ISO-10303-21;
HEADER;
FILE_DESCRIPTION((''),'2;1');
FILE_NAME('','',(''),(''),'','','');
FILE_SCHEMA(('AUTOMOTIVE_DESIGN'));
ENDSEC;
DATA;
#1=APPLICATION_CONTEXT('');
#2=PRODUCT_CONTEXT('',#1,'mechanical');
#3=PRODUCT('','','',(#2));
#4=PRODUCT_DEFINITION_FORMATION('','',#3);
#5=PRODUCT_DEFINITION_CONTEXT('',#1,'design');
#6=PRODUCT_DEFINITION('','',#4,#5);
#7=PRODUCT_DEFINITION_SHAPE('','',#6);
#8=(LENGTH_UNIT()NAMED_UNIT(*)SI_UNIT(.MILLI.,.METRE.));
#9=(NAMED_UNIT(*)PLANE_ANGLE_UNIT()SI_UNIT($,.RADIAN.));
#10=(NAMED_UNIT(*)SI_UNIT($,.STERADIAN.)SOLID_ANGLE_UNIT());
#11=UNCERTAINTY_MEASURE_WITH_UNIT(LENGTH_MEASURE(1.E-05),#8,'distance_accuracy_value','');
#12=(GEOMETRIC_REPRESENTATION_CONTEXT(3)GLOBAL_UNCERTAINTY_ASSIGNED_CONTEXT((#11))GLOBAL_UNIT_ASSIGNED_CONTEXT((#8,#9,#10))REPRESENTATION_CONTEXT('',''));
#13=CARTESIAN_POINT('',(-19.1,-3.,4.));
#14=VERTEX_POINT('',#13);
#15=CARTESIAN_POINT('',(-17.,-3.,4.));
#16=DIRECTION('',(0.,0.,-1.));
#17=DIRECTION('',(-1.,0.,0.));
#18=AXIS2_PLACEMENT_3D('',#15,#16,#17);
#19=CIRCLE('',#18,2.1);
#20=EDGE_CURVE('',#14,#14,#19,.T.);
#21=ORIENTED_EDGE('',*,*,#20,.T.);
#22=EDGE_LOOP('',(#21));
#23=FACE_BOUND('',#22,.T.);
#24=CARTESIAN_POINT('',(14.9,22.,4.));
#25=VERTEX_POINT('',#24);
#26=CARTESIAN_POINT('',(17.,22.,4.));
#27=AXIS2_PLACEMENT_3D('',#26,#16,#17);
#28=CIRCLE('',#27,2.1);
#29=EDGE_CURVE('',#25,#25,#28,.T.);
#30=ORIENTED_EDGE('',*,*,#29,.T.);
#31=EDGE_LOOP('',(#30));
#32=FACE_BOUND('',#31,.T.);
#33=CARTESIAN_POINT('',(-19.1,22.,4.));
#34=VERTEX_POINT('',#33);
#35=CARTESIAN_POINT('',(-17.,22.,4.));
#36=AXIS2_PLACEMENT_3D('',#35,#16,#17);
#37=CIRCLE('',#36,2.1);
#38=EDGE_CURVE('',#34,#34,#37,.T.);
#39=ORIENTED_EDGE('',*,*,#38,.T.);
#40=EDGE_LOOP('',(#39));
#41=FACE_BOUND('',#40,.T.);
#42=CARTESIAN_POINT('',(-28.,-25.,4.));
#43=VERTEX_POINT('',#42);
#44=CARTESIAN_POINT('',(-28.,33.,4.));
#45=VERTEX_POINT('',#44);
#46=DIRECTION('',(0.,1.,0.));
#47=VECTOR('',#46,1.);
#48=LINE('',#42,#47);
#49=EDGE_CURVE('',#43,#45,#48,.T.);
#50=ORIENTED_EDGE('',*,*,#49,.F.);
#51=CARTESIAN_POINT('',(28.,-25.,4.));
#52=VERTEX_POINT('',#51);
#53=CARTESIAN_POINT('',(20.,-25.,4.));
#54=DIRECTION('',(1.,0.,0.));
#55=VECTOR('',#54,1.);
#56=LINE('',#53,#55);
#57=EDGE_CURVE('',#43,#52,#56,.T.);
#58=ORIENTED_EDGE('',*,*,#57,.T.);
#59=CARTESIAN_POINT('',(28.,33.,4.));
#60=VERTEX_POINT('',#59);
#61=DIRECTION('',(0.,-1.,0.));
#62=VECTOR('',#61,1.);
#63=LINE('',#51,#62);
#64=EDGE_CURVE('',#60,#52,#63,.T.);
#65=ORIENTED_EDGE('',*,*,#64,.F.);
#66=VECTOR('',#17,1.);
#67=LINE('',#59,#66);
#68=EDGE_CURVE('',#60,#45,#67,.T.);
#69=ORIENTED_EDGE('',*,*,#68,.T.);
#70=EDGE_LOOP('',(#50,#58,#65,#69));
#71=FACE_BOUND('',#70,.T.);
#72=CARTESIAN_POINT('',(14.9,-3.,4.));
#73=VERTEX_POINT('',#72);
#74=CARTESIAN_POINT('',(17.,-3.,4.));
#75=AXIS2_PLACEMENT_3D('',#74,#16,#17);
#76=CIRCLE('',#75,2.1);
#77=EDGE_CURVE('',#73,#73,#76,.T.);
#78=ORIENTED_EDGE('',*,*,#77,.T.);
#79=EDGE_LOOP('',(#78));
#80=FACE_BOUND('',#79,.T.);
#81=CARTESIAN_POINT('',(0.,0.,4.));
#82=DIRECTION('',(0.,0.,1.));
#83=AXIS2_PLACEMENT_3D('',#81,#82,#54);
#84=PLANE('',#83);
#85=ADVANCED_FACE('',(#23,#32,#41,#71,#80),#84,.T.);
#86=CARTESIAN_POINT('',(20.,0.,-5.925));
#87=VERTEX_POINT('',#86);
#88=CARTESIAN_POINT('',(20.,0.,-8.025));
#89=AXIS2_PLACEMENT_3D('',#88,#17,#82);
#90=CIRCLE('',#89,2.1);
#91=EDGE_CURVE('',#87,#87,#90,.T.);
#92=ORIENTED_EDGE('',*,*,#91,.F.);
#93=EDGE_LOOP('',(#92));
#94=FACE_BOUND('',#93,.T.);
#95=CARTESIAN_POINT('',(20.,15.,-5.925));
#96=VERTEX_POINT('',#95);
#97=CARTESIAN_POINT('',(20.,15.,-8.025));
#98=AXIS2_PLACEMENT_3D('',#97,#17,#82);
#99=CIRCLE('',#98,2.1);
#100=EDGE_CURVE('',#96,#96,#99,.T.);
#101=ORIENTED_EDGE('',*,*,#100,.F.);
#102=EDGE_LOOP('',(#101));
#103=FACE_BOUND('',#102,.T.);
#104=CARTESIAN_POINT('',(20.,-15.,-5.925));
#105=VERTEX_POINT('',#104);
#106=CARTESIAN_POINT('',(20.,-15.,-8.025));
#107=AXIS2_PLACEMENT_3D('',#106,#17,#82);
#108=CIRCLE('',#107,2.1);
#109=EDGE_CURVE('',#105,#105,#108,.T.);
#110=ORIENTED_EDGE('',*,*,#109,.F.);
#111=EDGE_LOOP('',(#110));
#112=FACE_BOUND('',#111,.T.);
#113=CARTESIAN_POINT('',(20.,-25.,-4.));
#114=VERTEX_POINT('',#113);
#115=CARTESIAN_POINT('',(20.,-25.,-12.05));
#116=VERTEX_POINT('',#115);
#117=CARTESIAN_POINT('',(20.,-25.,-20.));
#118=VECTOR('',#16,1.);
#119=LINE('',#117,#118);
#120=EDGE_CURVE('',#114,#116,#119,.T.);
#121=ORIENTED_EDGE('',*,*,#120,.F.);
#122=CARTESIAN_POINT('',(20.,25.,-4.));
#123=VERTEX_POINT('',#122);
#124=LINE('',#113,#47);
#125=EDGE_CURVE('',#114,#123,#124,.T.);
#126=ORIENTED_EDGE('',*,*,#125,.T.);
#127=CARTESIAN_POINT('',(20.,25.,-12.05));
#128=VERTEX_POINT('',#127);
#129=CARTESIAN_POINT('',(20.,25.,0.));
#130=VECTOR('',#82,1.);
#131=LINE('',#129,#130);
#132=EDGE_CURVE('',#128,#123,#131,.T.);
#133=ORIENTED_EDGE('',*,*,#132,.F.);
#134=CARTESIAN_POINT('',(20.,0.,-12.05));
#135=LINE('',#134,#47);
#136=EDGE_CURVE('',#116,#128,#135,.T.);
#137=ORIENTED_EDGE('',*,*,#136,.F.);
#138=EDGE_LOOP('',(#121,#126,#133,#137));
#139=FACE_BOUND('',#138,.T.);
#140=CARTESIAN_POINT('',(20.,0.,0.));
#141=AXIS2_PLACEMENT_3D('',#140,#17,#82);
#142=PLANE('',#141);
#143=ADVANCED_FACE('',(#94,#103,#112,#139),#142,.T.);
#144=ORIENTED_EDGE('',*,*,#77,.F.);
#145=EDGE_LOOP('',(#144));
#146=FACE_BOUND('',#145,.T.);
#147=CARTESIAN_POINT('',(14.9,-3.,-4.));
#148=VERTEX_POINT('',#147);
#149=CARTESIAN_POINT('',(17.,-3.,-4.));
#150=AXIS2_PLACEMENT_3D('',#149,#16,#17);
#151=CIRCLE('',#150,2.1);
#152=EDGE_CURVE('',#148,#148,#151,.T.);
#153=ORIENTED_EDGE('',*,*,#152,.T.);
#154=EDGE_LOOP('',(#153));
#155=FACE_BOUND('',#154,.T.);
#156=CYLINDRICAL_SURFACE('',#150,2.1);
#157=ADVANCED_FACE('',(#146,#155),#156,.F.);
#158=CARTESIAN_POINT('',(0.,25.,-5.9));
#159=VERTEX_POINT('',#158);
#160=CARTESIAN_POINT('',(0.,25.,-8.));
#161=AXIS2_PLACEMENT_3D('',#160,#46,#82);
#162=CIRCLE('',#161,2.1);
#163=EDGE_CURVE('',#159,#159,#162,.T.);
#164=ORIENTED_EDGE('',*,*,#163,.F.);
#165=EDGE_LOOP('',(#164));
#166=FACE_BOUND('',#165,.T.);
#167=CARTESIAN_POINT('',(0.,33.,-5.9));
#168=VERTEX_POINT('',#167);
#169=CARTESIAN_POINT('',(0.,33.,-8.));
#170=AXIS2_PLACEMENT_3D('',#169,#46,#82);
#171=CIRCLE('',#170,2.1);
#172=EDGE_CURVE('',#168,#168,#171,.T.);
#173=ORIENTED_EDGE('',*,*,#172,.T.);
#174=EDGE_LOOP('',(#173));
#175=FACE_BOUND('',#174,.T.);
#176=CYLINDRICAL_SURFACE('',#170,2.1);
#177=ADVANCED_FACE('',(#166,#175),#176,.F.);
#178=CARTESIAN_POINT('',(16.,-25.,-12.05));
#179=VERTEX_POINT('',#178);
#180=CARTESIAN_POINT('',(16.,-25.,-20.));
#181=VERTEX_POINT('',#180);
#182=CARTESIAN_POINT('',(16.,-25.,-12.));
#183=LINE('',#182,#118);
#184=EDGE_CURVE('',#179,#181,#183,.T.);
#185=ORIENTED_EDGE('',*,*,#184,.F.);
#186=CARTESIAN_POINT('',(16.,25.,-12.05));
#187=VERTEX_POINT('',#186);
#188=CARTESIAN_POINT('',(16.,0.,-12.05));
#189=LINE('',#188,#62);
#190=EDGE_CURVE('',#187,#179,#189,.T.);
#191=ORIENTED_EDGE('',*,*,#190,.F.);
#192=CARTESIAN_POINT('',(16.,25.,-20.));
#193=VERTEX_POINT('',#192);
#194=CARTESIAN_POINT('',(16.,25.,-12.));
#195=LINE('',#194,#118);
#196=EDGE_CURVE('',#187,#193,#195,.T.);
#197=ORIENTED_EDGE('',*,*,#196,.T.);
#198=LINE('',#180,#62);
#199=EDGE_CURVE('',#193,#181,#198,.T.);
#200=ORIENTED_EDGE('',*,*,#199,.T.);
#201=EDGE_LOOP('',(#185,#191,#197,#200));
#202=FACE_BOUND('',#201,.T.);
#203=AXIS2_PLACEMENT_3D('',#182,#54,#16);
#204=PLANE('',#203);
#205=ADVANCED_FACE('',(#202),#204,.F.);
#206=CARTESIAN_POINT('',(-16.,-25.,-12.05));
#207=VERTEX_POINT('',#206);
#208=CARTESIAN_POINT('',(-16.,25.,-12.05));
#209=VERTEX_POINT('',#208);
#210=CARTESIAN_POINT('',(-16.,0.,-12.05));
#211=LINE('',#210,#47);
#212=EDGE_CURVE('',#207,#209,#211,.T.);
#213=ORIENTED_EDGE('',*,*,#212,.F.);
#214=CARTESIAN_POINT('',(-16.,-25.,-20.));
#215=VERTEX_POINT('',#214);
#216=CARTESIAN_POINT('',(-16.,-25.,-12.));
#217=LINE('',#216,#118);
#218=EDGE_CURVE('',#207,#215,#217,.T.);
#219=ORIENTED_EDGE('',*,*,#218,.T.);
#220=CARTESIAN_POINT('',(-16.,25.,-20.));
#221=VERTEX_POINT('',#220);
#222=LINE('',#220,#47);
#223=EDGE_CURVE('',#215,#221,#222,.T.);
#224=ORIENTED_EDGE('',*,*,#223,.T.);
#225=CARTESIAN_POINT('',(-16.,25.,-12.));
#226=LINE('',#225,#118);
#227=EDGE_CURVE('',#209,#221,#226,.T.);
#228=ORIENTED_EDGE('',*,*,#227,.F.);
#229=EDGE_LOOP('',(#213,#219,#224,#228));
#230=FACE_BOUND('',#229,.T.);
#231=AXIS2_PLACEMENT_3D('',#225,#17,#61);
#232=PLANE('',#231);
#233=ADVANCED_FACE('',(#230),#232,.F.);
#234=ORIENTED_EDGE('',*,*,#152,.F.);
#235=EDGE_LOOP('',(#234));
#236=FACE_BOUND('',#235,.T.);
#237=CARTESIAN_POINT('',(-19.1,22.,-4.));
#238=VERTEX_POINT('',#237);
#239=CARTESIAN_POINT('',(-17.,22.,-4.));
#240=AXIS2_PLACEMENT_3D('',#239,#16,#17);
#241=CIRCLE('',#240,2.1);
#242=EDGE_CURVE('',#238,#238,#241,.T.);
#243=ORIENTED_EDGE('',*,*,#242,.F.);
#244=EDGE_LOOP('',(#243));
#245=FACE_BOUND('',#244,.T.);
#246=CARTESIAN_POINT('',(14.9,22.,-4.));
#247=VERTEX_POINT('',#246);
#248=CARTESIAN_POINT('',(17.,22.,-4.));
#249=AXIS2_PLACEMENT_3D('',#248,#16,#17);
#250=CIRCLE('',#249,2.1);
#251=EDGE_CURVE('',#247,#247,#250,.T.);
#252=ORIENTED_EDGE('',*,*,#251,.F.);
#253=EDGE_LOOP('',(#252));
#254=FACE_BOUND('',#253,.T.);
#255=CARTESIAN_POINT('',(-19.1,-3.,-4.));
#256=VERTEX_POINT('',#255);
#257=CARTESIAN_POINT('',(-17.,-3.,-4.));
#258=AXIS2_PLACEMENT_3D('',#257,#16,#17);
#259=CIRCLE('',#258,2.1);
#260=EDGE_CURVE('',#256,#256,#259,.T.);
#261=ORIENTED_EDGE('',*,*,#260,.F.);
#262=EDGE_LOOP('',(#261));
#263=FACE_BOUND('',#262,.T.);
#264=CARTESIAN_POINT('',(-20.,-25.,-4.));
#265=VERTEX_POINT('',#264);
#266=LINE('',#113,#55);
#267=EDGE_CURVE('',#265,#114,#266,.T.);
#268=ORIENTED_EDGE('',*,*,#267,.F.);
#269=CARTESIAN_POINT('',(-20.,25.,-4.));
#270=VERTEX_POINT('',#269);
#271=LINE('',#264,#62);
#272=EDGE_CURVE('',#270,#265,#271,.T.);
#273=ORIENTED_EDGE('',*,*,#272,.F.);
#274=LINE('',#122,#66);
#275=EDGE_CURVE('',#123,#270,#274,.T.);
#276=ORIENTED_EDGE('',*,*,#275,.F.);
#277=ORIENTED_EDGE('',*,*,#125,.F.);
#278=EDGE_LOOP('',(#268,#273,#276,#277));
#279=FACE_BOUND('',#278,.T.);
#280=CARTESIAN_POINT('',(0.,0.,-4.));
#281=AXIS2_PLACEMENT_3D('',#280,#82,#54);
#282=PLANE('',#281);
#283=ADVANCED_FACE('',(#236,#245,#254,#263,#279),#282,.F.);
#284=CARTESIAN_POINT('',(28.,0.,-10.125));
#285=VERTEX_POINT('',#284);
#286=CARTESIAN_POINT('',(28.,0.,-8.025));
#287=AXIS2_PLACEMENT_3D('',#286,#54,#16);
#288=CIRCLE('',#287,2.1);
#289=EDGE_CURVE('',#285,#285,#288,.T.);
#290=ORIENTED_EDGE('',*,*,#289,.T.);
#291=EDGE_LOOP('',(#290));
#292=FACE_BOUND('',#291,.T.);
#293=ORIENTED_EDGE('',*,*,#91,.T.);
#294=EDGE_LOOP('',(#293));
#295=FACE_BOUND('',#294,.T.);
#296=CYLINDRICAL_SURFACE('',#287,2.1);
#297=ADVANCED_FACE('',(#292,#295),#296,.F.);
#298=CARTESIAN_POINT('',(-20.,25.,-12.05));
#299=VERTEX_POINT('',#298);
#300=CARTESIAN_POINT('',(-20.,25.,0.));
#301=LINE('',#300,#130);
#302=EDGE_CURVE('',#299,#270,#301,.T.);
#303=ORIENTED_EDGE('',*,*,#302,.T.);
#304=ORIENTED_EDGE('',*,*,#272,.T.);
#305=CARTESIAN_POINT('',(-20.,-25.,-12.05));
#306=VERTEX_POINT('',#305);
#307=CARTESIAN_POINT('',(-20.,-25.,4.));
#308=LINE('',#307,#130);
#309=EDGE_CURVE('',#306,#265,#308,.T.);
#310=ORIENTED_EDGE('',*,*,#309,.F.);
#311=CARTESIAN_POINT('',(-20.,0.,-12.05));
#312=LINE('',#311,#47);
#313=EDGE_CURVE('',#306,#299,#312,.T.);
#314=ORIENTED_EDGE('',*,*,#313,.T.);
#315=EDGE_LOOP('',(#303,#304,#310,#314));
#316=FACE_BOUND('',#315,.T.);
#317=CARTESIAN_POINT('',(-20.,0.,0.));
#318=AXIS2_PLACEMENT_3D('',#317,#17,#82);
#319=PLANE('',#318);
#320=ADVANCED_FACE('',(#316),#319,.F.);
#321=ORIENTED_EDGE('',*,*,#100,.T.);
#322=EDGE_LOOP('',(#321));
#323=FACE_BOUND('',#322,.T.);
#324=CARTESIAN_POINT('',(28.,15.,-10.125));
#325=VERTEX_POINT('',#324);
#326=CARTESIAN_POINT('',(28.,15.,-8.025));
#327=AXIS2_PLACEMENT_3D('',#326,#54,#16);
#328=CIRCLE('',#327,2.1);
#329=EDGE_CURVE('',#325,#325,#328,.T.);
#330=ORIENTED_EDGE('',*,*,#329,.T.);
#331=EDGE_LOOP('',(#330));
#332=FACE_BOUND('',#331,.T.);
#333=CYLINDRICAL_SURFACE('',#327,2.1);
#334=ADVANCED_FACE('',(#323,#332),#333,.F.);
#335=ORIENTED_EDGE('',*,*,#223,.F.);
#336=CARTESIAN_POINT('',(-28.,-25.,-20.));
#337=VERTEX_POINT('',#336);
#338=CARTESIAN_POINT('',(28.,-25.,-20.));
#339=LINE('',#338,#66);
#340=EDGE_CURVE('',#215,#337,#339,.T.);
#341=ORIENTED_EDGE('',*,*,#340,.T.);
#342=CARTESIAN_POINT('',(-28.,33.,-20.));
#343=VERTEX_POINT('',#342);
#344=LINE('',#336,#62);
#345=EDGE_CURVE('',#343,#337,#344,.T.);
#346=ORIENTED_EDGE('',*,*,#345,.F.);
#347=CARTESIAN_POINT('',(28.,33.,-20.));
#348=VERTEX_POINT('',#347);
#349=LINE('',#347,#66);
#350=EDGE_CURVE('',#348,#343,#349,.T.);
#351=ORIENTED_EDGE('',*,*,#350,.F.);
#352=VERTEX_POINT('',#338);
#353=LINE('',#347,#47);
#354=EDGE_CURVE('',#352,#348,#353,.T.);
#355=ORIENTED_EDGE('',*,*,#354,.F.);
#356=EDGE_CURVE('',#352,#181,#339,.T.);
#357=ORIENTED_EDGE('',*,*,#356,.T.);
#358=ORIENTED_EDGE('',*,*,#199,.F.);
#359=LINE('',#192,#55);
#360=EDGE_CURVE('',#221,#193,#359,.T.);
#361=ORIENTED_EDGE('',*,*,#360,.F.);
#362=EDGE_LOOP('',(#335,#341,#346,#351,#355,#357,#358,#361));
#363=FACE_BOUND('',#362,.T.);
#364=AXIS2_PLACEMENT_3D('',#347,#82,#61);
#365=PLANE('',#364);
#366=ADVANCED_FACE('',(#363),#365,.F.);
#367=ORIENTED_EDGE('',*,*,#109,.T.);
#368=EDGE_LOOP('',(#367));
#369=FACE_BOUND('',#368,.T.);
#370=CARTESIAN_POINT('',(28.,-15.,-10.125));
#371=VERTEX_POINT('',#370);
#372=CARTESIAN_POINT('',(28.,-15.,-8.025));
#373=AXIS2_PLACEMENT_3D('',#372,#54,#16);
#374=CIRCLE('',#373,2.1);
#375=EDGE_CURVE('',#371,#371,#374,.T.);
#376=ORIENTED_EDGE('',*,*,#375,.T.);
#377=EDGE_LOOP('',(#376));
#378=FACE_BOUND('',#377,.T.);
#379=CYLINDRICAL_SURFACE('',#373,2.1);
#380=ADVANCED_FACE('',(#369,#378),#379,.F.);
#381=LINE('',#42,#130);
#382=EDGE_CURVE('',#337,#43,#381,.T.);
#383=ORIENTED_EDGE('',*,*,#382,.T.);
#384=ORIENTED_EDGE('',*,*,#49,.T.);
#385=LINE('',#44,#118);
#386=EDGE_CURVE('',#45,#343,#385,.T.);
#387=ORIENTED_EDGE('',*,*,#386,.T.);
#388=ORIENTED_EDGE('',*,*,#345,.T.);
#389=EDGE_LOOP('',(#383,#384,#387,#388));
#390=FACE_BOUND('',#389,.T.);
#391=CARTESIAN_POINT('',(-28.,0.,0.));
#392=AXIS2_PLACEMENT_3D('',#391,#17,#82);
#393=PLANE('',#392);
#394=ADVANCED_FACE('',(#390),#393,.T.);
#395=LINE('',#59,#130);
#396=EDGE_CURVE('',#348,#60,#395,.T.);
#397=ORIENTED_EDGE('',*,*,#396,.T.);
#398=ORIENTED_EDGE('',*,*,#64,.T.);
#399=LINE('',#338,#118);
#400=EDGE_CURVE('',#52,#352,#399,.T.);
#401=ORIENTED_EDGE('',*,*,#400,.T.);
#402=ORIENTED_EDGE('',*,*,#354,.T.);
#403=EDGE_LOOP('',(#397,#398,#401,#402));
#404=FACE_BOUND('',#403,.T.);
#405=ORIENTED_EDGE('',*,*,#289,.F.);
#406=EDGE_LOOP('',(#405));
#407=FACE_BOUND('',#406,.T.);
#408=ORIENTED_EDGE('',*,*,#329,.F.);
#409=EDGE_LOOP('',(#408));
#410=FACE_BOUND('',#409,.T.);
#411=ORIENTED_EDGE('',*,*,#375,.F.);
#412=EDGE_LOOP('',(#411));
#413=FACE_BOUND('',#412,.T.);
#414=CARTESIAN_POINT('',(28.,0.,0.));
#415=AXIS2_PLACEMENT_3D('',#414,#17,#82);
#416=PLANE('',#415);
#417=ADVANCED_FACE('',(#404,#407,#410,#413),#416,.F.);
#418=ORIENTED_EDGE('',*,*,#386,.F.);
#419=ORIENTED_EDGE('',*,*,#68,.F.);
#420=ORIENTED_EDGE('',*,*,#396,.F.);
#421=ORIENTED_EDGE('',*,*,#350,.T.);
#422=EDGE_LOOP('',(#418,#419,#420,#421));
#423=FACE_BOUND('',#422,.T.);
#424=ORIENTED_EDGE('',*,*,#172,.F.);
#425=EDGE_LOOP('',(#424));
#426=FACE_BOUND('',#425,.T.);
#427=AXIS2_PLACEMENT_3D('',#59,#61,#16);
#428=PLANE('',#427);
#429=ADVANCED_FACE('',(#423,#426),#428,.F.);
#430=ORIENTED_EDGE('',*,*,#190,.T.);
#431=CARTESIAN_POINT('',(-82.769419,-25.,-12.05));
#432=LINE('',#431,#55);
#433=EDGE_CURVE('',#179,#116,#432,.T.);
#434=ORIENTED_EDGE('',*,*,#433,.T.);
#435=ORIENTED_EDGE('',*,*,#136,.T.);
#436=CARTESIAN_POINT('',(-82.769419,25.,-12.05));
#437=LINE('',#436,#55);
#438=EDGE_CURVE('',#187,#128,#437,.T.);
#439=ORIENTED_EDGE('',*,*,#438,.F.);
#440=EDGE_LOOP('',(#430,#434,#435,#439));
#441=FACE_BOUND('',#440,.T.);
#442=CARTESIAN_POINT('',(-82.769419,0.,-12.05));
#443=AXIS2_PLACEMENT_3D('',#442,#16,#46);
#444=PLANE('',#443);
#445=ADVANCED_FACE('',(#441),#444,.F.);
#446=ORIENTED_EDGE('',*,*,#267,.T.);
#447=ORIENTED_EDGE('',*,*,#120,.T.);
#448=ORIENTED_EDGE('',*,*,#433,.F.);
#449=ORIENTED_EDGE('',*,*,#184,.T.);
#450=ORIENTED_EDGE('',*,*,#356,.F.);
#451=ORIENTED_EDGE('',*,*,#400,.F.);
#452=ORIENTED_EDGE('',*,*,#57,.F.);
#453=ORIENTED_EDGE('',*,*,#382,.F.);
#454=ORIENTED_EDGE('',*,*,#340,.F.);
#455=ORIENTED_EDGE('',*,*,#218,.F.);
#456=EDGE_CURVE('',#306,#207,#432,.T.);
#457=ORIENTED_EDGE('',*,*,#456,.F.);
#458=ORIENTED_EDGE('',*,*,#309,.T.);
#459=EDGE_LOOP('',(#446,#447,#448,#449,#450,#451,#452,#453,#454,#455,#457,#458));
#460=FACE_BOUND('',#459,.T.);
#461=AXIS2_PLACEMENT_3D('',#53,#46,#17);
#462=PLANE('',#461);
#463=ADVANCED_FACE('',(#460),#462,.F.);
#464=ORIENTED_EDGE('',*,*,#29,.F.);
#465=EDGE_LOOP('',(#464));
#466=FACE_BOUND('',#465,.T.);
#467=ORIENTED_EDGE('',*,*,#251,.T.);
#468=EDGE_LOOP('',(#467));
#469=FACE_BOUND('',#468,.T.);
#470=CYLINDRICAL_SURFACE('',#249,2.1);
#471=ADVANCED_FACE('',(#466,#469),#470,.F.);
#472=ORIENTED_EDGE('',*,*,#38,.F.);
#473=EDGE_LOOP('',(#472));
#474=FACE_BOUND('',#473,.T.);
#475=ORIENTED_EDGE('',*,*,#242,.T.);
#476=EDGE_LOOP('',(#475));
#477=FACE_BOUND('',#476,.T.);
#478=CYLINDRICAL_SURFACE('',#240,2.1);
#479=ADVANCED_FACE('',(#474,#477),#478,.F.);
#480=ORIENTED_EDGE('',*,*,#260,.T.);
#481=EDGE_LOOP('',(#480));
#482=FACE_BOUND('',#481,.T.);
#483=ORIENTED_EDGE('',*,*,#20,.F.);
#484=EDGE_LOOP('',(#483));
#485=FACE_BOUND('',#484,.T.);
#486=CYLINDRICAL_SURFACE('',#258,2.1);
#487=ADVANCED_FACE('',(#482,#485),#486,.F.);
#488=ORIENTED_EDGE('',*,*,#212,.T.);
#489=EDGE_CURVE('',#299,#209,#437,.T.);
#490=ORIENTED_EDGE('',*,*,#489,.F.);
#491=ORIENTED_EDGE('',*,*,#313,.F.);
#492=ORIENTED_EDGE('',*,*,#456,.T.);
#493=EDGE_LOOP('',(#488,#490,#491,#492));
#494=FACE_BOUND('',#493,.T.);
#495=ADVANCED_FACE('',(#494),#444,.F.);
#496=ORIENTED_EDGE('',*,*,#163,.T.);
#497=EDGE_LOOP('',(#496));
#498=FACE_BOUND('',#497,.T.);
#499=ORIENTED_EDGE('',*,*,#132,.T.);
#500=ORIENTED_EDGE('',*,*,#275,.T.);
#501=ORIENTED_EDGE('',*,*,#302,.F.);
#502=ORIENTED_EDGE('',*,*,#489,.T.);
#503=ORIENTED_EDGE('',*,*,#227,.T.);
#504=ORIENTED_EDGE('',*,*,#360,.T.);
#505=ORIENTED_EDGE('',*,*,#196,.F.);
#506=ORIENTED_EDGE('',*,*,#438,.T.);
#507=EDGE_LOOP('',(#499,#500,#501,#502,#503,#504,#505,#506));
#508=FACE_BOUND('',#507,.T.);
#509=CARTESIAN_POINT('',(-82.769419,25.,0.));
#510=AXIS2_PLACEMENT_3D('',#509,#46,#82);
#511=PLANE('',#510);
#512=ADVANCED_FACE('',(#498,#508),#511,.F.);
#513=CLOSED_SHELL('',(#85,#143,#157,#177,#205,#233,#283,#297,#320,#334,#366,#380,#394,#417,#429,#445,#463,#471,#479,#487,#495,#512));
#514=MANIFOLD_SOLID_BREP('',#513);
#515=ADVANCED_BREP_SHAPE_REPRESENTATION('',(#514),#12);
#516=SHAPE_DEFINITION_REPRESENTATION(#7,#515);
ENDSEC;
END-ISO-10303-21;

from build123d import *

# Parameters (mm, degrees)
SKETCH1_W             = 40
SKETCH1_H             = 50
BOSS_EXTRUDE1_DEPTH   = 4
SKETCH2_W             = 24
SKETCH2_H             = 58
BOSS_EXTRUDE2_DEPTH   = 8
SKETCH4_W             = 24
SKETCH4_H             = 58
BOSS_EXTRUDE3_DEPTH   = 8
BOSS_EXTRUDE5_DEPTH   = 40
SKETCH6_W             = 32
SKETCH6_H             = 50
CUT_EXTRUDE1_DEPTH    = 8
M5_TAPPED_HOLE3_D     = 4.2
M5_TAPPED_HOLE3_DEPTH = 8
M5_TAPPED_HOLE4_D     = 4.2
M5_TAPPED_HOLE5_D     = 4.2
M5_TAPPED_HOLE5_DEPTH = 8


with BuildPart() as part:
    # Sketch1 → Boss-Extrude1 (new, symmetric)
    with BuildSketch(Plane.XY):
        Rectangle(SKETCH1_W, SKETCH1_H)
    extrude(amount=BOSS_EXTRUDE1_DEPTH, both=True)

    # Sketch2 → Boss-Extrude2 (add)
    with BuildSketch(Plane(origin=(20, 0, 0), x_dir=(0, 0, -1), z_dir=(1, 0, 0))):
        with Locations((8, 4)):
            Rectangle(SKETCH2_W, SKETCH2_H)
    extrude(amount=BOSS_EXTRUDE2_DEPTH)

    # Sketch4 → Boss-Extrude3 (add)
    with BuildSketch(Plane.ZY.offset(20)):
        with Locations((-8, 4)):
            Rectangle(SKETCH4_W, SKETCH4_H)
    extrude(amount=BOSS_EXTRUDE3_DEPTH)

    # Sketch5 → Boss-Extrude5 (add)
    with BuildSketch(Plane.ZY.offset(-20)):
        Polygon((-20, -25), (-20, 33), (4, 33), (4, 25), (-12.05, 25), (-12.05, -25), align=None)
    extrude(amount=BOSS_EXTRUDE5_DEPTH)

    # Sketch6 → Cut-Extrude1 (cut)
    with BuildSketch(Plane(origin=(0, 0, -20), x_dir=(-1, 0, 0), z_dir=(0, 0, -1))):
        Rectangle(SKETCH6_W, SKETCH6_H)
    extrude(amount=-CUT_EXTRUDE1_DEPTH, mode=Mode.SUBTRACT)

    # M5 Tapped Hole3
    with Locations(Plane(origin=(0, 0, -4), x_dir=(-1, 0, 0), z_dir=(0, 0, -1))):
        with Locations((-17, 22), (17, 22), (17, -3), (-17, -3)):
            Hole(M5_TAPPED_HOLE3_D / 2, depth=M5_TAPPED_HOLE3_DEPTH)

    # M5 Tapped Hole4 (through all)
    with Locations(Plane(origin=(0, 33, 0), x_dir=(1, 0, 0), z_dir=(0, 1, 0))):
        with Locations((0, 8)):
            Hole(M5_TAPPED_HOLE4_D / 2)

    # M5 Tapped Hole5
    with Locations(Plane(origin=(28, 0, 0), x_dir=(0, 0, -1), z_dir=(1, 0, 0))):
        with Locations((8.025, 15), (8.025, 0), (8.025, -15)):
            Hole(M5_TAPPED_HOLE5_D / 2, depth=M5_TAPPED_HOLE5_DEPTH)


solid = part.part
